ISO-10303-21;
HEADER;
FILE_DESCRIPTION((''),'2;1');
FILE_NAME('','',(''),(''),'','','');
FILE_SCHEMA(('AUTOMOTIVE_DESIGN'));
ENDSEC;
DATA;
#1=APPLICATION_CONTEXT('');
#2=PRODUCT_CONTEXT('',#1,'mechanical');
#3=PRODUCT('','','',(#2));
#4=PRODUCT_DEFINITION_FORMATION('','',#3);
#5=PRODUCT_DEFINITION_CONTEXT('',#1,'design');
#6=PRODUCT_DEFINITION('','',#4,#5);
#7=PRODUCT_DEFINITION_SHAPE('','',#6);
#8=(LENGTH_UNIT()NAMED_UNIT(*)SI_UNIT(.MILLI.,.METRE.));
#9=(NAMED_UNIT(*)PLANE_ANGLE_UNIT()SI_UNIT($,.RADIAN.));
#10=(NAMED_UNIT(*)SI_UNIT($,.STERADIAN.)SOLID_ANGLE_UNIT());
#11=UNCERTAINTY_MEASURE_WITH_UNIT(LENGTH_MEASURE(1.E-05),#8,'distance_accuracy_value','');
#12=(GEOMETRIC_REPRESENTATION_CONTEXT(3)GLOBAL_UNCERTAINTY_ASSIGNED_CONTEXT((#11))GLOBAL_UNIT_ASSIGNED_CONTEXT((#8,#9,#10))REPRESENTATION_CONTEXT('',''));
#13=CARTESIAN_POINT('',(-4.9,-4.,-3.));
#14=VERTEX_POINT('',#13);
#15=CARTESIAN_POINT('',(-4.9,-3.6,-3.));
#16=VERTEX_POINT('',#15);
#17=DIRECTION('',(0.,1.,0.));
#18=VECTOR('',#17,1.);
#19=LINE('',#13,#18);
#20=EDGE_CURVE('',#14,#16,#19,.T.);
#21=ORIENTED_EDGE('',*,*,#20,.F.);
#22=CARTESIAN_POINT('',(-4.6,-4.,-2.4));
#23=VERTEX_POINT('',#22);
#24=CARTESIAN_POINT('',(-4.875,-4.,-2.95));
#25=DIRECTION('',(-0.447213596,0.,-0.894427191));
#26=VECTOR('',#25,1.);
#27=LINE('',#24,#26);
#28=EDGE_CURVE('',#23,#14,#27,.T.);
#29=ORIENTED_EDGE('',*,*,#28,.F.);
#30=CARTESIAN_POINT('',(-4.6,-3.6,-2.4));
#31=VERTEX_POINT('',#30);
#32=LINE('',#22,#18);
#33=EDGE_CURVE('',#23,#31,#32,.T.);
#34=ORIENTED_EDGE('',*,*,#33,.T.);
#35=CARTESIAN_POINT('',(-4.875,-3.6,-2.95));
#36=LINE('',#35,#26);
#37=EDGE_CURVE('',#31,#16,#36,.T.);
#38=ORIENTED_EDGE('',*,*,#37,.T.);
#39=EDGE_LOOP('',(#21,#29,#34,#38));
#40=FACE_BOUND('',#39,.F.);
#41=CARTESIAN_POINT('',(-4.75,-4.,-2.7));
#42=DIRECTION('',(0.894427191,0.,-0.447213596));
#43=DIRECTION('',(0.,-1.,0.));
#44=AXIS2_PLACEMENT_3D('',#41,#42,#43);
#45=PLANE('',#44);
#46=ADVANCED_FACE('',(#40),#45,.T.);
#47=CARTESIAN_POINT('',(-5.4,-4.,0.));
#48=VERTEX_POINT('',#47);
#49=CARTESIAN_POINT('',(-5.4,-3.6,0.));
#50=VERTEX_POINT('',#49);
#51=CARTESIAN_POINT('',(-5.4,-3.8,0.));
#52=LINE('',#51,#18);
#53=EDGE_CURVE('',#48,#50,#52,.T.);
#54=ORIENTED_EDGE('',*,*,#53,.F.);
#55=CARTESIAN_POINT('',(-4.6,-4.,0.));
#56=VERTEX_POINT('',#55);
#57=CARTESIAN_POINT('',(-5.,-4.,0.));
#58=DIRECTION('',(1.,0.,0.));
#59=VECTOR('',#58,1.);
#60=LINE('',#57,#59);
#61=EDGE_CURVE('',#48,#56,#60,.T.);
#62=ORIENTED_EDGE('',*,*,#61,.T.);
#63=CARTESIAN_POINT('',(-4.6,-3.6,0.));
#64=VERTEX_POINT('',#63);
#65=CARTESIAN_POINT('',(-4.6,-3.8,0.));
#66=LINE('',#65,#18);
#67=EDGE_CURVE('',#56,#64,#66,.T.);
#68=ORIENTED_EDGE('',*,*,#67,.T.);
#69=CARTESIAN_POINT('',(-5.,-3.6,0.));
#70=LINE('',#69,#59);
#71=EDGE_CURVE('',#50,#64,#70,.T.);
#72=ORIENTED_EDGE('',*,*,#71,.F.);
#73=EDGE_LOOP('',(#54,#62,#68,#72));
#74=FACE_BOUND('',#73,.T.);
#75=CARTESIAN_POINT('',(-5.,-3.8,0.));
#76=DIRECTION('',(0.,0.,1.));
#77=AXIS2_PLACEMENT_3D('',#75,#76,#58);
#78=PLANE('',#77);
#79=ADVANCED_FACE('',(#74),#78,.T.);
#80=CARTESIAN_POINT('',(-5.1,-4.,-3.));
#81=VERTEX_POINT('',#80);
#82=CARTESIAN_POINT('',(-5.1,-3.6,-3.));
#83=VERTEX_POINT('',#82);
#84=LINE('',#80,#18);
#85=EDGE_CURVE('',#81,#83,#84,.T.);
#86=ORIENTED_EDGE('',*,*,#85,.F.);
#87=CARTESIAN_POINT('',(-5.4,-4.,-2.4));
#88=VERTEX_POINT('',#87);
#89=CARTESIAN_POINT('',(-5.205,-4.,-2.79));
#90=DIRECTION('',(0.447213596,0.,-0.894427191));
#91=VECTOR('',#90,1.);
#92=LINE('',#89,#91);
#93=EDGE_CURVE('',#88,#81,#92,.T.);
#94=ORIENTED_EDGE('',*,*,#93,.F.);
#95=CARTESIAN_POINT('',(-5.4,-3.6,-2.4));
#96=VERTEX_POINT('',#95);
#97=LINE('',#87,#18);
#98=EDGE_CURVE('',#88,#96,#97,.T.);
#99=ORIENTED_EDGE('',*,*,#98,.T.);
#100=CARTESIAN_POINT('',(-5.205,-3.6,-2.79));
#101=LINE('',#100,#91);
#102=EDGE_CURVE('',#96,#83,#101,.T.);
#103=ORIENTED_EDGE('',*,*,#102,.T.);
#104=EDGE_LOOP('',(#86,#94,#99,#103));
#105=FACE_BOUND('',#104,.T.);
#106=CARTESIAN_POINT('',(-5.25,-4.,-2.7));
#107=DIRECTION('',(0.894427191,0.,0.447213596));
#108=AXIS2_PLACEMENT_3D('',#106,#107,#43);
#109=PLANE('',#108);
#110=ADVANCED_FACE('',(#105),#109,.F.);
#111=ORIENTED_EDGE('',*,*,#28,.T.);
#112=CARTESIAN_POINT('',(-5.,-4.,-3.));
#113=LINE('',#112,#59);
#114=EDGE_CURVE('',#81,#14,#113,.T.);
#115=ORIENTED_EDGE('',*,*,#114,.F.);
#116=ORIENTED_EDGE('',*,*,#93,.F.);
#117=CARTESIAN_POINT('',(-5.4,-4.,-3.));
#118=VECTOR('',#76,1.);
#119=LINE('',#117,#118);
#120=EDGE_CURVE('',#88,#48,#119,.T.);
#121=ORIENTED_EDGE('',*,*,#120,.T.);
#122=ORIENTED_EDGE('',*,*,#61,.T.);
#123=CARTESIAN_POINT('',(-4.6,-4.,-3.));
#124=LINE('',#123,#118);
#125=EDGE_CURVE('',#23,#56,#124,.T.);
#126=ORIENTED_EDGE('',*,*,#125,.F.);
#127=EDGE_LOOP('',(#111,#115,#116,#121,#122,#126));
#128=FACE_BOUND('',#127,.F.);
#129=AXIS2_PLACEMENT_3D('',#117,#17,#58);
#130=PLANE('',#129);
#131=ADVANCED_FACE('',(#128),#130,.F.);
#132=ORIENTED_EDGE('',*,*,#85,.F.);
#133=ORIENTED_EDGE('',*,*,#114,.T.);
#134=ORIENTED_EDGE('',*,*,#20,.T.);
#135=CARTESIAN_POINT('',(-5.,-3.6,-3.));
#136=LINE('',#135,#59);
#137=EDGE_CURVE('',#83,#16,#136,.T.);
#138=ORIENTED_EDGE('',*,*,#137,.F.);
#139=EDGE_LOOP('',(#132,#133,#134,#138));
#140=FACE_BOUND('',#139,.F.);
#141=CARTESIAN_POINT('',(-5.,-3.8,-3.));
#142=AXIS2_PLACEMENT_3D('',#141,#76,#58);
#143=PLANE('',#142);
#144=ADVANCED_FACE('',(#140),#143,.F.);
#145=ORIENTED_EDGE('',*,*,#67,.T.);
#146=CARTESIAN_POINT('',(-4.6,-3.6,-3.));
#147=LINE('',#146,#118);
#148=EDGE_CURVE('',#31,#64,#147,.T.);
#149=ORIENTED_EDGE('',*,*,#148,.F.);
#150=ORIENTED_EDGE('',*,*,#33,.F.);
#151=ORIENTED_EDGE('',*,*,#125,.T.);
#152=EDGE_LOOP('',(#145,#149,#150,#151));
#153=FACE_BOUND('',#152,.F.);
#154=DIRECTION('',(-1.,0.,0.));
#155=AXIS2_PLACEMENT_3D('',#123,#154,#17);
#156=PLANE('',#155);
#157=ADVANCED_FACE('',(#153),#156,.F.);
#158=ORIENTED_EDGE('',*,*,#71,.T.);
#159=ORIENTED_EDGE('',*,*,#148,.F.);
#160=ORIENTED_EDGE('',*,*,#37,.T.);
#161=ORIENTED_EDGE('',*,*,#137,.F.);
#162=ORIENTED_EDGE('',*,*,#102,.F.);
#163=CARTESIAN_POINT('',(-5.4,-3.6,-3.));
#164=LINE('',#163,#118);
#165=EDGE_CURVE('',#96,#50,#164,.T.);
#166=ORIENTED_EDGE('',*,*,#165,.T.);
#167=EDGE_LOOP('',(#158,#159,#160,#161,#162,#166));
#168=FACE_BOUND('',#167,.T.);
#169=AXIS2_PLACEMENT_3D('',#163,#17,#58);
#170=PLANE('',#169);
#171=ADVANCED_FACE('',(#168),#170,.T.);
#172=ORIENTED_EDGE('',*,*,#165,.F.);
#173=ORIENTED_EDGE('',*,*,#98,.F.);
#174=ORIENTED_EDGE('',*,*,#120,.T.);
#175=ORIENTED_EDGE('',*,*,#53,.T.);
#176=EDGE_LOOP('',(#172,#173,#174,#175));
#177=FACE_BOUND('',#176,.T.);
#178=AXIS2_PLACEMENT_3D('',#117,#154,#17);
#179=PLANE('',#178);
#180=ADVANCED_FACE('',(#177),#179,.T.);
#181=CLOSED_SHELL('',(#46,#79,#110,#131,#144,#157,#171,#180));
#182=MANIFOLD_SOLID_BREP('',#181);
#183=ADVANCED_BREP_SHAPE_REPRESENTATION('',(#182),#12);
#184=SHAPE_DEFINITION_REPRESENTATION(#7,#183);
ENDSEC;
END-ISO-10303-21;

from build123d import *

# Parameters (mm, degrees)
BOX032_W           = 0.8
BOX032_H           = 0.4
BOX032_DEPTH       = 3
CHAMFER020_1_SIZE2 = 0.3
CHAMFER020_1_SIZE  = 0.6
CHAMFER020_2_SIZE2 = 0.3
CHAMFER020_2_SIZE  = 0.6


with BuildPart() as part:
    # Box032 → Box032 (new body)
    with BuildSketch(Plane(origin=(-5.4, -4, -3), x_dir=(1, 0, 0), z_dir=(0, 0, 1))):
        with Locations((0.4, 0.2)):
            Rectangle(BOX032_W, BOX032_H)
    extrude(amount=BOX032_DEPTH)

    # Chamfer020 1
    chamfer020_1_edges = [part.edges().sort_by_distance(p)[0] for p in [
        (-4.6, -3.8, -3),
    ]]
    chamfer020_1_side = part.faces().sort_by_distance((-4.6, -3.8, -1.5))[0]
    chamfer(chamfer020_1_edges, length=CHAMFER020_1_SIZE, length2=CHAMFER020_1_SIZE2, reference=chamfer020_1_side)

    # Chamfer020 2
    chamfer020_2_edges = [part.edges().sort_by_distance(p)[0] for p in [
        (-5.4, -3.8, -3),
    ]]
    chamfer020_2_side = part.faces().sort_by_distance((-5.4, -3.8, -1.5))[0]
    chamfer(chamfer020_2_edges, length=CHAMFER020_2_SIZE, length2=CHAMFER020_2_SIZE2, reference=chamfer020_2_side)


solid = part.part
